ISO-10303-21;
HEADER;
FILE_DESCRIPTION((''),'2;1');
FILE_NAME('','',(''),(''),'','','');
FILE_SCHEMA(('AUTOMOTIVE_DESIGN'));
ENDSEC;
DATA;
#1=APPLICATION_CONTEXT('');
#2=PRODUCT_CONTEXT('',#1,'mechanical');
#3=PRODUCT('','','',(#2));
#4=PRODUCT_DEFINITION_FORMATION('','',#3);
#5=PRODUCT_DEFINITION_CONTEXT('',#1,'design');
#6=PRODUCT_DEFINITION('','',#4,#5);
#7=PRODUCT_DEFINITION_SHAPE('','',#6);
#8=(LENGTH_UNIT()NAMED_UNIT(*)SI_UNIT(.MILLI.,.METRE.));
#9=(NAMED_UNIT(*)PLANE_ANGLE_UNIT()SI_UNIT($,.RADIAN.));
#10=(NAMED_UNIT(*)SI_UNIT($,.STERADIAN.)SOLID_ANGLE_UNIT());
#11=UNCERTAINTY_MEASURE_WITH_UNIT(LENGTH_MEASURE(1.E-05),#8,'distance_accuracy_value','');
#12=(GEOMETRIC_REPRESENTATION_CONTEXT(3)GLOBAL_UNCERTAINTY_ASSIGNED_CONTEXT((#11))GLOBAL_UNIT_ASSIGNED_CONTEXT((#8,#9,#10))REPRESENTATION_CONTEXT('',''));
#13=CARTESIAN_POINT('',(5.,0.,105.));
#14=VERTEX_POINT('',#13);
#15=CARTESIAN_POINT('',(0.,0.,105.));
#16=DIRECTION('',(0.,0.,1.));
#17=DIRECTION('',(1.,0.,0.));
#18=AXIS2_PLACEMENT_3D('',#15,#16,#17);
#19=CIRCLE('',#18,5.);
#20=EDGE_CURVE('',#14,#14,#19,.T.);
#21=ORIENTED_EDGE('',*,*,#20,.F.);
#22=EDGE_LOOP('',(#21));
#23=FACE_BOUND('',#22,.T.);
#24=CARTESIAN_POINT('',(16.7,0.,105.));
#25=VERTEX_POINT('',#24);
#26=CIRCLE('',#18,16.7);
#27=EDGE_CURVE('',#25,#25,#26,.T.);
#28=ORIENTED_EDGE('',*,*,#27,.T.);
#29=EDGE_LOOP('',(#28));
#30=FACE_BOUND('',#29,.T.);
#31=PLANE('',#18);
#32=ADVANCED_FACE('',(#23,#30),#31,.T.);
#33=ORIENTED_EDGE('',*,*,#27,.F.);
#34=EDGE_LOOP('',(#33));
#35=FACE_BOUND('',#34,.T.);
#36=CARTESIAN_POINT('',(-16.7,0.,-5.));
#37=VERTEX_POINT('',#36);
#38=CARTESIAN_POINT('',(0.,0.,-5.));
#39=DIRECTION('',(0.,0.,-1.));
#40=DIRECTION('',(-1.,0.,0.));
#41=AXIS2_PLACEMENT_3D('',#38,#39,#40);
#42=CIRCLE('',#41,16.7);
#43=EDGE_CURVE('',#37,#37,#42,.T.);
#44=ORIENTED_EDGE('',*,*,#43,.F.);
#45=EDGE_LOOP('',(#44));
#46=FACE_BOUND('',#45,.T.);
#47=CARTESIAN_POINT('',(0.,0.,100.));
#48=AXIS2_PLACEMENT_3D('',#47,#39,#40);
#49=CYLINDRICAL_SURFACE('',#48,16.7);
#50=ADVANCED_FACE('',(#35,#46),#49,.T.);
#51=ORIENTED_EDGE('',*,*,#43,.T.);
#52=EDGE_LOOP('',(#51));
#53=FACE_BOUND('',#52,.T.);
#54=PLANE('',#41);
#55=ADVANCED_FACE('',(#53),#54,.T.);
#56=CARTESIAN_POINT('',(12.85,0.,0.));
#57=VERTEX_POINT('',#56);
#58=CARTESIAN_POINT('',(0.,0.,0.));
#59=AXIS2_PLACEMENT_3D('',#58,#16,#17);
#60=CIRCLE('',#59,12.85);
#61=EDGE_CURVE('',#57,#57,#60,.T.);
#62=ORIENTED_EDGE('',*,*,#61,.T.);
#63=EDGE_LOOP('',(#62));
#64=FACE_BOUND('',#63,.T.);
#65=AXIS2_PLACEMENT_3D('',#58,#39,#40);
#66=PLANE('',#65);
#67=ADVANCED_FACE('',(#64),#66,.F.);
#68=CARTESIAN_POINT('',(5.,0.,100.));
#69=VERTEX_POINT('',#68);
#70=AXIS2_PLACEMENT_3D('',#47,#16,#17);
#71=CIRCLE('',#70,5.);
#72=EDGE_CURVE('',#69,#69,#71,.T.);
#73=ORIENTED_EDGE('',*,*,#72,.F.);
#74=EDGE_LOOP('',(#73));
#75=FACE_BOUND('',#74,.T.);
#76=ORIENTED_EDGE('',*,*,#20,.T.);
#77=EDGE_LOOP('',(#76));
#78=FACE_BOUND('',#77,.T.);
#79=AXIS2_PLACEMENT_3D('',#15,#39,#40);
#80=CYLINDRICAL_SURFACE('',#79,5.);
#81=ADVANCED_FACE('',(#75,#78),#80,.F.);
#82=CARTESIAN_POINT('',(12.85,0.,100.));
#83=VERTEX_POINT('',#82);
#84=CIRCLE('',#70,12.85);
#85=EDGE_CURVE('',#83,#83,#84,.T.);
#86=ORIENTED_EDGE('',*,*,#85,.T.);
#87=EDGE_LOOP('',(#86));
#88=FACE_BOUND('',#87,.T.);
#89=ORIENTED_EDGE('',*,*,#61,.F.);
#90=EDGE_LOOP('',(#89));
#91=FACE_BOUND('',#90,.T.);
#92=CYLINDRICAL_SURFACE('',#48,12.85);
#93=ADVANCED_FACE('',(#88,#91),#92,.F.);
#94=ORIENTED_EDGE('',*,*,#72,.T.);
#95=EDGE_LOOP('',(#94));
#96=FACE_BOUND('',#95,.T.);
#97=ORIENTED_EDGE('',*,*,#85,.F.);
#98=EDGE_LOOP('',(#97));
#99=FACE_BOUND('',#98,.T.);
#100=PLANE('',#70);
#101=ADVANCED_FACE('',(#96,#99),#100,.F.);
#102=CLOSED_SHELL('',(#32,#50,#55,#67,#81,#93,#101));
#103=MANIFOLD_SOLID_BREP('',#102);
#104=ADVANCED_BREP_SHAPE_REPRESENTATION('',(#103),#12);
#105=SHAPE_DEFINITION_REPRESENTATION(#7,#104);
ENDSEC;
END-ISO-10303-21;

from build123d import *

# Parameters (mm, degrees)
SKETCH2_R           = 16.7
SKETCH2_R_2         = 12.85
BOSS_EXTRUDE1_DEPTH = 100
SKETCH3_R           = 16.7
BOSS_EXTRUDE2_DEPTH = 5
SKETCH4_R           = 16.7
SKETCH4_R_2         = 5
BOSS_EXTRUDE3_DEPTH = 5


with BuildPart() as part:
    # Sketch2 → Boss-Extrude1 (new body)
    with BuildSketch(Plane.XY):
        Circle(SKETCH2_R)
        Circle(SKETCH2_R_2, mode=Mode.SUBTRACT)
    extrude(amount=BOSS_EXTRUDE1_DEPTH)

    # Sketch3 → Boss-Extrude2 (add)
    with BuildSketch(Plane(origin=(0, 0, 0), x_dir=(-1, 0, 0), z_dir=(0, 0, -1))):
        Circle(SKETCH3_R)
    extrude(amount=BOSS_EXTRUDE2_DEPTH)

    # Sketch4 → Boss-Extrude3 (add)
    with BuildSketch(Plane.XY.offset(100)):
        Circle(SKETCH4_R)
        Circle(SKETCH4_R_2, mode=Mode.SUBTRACT)
    extrude(amount=BOSS_EXTRUDE3_DEPTH)


solid = part.part
